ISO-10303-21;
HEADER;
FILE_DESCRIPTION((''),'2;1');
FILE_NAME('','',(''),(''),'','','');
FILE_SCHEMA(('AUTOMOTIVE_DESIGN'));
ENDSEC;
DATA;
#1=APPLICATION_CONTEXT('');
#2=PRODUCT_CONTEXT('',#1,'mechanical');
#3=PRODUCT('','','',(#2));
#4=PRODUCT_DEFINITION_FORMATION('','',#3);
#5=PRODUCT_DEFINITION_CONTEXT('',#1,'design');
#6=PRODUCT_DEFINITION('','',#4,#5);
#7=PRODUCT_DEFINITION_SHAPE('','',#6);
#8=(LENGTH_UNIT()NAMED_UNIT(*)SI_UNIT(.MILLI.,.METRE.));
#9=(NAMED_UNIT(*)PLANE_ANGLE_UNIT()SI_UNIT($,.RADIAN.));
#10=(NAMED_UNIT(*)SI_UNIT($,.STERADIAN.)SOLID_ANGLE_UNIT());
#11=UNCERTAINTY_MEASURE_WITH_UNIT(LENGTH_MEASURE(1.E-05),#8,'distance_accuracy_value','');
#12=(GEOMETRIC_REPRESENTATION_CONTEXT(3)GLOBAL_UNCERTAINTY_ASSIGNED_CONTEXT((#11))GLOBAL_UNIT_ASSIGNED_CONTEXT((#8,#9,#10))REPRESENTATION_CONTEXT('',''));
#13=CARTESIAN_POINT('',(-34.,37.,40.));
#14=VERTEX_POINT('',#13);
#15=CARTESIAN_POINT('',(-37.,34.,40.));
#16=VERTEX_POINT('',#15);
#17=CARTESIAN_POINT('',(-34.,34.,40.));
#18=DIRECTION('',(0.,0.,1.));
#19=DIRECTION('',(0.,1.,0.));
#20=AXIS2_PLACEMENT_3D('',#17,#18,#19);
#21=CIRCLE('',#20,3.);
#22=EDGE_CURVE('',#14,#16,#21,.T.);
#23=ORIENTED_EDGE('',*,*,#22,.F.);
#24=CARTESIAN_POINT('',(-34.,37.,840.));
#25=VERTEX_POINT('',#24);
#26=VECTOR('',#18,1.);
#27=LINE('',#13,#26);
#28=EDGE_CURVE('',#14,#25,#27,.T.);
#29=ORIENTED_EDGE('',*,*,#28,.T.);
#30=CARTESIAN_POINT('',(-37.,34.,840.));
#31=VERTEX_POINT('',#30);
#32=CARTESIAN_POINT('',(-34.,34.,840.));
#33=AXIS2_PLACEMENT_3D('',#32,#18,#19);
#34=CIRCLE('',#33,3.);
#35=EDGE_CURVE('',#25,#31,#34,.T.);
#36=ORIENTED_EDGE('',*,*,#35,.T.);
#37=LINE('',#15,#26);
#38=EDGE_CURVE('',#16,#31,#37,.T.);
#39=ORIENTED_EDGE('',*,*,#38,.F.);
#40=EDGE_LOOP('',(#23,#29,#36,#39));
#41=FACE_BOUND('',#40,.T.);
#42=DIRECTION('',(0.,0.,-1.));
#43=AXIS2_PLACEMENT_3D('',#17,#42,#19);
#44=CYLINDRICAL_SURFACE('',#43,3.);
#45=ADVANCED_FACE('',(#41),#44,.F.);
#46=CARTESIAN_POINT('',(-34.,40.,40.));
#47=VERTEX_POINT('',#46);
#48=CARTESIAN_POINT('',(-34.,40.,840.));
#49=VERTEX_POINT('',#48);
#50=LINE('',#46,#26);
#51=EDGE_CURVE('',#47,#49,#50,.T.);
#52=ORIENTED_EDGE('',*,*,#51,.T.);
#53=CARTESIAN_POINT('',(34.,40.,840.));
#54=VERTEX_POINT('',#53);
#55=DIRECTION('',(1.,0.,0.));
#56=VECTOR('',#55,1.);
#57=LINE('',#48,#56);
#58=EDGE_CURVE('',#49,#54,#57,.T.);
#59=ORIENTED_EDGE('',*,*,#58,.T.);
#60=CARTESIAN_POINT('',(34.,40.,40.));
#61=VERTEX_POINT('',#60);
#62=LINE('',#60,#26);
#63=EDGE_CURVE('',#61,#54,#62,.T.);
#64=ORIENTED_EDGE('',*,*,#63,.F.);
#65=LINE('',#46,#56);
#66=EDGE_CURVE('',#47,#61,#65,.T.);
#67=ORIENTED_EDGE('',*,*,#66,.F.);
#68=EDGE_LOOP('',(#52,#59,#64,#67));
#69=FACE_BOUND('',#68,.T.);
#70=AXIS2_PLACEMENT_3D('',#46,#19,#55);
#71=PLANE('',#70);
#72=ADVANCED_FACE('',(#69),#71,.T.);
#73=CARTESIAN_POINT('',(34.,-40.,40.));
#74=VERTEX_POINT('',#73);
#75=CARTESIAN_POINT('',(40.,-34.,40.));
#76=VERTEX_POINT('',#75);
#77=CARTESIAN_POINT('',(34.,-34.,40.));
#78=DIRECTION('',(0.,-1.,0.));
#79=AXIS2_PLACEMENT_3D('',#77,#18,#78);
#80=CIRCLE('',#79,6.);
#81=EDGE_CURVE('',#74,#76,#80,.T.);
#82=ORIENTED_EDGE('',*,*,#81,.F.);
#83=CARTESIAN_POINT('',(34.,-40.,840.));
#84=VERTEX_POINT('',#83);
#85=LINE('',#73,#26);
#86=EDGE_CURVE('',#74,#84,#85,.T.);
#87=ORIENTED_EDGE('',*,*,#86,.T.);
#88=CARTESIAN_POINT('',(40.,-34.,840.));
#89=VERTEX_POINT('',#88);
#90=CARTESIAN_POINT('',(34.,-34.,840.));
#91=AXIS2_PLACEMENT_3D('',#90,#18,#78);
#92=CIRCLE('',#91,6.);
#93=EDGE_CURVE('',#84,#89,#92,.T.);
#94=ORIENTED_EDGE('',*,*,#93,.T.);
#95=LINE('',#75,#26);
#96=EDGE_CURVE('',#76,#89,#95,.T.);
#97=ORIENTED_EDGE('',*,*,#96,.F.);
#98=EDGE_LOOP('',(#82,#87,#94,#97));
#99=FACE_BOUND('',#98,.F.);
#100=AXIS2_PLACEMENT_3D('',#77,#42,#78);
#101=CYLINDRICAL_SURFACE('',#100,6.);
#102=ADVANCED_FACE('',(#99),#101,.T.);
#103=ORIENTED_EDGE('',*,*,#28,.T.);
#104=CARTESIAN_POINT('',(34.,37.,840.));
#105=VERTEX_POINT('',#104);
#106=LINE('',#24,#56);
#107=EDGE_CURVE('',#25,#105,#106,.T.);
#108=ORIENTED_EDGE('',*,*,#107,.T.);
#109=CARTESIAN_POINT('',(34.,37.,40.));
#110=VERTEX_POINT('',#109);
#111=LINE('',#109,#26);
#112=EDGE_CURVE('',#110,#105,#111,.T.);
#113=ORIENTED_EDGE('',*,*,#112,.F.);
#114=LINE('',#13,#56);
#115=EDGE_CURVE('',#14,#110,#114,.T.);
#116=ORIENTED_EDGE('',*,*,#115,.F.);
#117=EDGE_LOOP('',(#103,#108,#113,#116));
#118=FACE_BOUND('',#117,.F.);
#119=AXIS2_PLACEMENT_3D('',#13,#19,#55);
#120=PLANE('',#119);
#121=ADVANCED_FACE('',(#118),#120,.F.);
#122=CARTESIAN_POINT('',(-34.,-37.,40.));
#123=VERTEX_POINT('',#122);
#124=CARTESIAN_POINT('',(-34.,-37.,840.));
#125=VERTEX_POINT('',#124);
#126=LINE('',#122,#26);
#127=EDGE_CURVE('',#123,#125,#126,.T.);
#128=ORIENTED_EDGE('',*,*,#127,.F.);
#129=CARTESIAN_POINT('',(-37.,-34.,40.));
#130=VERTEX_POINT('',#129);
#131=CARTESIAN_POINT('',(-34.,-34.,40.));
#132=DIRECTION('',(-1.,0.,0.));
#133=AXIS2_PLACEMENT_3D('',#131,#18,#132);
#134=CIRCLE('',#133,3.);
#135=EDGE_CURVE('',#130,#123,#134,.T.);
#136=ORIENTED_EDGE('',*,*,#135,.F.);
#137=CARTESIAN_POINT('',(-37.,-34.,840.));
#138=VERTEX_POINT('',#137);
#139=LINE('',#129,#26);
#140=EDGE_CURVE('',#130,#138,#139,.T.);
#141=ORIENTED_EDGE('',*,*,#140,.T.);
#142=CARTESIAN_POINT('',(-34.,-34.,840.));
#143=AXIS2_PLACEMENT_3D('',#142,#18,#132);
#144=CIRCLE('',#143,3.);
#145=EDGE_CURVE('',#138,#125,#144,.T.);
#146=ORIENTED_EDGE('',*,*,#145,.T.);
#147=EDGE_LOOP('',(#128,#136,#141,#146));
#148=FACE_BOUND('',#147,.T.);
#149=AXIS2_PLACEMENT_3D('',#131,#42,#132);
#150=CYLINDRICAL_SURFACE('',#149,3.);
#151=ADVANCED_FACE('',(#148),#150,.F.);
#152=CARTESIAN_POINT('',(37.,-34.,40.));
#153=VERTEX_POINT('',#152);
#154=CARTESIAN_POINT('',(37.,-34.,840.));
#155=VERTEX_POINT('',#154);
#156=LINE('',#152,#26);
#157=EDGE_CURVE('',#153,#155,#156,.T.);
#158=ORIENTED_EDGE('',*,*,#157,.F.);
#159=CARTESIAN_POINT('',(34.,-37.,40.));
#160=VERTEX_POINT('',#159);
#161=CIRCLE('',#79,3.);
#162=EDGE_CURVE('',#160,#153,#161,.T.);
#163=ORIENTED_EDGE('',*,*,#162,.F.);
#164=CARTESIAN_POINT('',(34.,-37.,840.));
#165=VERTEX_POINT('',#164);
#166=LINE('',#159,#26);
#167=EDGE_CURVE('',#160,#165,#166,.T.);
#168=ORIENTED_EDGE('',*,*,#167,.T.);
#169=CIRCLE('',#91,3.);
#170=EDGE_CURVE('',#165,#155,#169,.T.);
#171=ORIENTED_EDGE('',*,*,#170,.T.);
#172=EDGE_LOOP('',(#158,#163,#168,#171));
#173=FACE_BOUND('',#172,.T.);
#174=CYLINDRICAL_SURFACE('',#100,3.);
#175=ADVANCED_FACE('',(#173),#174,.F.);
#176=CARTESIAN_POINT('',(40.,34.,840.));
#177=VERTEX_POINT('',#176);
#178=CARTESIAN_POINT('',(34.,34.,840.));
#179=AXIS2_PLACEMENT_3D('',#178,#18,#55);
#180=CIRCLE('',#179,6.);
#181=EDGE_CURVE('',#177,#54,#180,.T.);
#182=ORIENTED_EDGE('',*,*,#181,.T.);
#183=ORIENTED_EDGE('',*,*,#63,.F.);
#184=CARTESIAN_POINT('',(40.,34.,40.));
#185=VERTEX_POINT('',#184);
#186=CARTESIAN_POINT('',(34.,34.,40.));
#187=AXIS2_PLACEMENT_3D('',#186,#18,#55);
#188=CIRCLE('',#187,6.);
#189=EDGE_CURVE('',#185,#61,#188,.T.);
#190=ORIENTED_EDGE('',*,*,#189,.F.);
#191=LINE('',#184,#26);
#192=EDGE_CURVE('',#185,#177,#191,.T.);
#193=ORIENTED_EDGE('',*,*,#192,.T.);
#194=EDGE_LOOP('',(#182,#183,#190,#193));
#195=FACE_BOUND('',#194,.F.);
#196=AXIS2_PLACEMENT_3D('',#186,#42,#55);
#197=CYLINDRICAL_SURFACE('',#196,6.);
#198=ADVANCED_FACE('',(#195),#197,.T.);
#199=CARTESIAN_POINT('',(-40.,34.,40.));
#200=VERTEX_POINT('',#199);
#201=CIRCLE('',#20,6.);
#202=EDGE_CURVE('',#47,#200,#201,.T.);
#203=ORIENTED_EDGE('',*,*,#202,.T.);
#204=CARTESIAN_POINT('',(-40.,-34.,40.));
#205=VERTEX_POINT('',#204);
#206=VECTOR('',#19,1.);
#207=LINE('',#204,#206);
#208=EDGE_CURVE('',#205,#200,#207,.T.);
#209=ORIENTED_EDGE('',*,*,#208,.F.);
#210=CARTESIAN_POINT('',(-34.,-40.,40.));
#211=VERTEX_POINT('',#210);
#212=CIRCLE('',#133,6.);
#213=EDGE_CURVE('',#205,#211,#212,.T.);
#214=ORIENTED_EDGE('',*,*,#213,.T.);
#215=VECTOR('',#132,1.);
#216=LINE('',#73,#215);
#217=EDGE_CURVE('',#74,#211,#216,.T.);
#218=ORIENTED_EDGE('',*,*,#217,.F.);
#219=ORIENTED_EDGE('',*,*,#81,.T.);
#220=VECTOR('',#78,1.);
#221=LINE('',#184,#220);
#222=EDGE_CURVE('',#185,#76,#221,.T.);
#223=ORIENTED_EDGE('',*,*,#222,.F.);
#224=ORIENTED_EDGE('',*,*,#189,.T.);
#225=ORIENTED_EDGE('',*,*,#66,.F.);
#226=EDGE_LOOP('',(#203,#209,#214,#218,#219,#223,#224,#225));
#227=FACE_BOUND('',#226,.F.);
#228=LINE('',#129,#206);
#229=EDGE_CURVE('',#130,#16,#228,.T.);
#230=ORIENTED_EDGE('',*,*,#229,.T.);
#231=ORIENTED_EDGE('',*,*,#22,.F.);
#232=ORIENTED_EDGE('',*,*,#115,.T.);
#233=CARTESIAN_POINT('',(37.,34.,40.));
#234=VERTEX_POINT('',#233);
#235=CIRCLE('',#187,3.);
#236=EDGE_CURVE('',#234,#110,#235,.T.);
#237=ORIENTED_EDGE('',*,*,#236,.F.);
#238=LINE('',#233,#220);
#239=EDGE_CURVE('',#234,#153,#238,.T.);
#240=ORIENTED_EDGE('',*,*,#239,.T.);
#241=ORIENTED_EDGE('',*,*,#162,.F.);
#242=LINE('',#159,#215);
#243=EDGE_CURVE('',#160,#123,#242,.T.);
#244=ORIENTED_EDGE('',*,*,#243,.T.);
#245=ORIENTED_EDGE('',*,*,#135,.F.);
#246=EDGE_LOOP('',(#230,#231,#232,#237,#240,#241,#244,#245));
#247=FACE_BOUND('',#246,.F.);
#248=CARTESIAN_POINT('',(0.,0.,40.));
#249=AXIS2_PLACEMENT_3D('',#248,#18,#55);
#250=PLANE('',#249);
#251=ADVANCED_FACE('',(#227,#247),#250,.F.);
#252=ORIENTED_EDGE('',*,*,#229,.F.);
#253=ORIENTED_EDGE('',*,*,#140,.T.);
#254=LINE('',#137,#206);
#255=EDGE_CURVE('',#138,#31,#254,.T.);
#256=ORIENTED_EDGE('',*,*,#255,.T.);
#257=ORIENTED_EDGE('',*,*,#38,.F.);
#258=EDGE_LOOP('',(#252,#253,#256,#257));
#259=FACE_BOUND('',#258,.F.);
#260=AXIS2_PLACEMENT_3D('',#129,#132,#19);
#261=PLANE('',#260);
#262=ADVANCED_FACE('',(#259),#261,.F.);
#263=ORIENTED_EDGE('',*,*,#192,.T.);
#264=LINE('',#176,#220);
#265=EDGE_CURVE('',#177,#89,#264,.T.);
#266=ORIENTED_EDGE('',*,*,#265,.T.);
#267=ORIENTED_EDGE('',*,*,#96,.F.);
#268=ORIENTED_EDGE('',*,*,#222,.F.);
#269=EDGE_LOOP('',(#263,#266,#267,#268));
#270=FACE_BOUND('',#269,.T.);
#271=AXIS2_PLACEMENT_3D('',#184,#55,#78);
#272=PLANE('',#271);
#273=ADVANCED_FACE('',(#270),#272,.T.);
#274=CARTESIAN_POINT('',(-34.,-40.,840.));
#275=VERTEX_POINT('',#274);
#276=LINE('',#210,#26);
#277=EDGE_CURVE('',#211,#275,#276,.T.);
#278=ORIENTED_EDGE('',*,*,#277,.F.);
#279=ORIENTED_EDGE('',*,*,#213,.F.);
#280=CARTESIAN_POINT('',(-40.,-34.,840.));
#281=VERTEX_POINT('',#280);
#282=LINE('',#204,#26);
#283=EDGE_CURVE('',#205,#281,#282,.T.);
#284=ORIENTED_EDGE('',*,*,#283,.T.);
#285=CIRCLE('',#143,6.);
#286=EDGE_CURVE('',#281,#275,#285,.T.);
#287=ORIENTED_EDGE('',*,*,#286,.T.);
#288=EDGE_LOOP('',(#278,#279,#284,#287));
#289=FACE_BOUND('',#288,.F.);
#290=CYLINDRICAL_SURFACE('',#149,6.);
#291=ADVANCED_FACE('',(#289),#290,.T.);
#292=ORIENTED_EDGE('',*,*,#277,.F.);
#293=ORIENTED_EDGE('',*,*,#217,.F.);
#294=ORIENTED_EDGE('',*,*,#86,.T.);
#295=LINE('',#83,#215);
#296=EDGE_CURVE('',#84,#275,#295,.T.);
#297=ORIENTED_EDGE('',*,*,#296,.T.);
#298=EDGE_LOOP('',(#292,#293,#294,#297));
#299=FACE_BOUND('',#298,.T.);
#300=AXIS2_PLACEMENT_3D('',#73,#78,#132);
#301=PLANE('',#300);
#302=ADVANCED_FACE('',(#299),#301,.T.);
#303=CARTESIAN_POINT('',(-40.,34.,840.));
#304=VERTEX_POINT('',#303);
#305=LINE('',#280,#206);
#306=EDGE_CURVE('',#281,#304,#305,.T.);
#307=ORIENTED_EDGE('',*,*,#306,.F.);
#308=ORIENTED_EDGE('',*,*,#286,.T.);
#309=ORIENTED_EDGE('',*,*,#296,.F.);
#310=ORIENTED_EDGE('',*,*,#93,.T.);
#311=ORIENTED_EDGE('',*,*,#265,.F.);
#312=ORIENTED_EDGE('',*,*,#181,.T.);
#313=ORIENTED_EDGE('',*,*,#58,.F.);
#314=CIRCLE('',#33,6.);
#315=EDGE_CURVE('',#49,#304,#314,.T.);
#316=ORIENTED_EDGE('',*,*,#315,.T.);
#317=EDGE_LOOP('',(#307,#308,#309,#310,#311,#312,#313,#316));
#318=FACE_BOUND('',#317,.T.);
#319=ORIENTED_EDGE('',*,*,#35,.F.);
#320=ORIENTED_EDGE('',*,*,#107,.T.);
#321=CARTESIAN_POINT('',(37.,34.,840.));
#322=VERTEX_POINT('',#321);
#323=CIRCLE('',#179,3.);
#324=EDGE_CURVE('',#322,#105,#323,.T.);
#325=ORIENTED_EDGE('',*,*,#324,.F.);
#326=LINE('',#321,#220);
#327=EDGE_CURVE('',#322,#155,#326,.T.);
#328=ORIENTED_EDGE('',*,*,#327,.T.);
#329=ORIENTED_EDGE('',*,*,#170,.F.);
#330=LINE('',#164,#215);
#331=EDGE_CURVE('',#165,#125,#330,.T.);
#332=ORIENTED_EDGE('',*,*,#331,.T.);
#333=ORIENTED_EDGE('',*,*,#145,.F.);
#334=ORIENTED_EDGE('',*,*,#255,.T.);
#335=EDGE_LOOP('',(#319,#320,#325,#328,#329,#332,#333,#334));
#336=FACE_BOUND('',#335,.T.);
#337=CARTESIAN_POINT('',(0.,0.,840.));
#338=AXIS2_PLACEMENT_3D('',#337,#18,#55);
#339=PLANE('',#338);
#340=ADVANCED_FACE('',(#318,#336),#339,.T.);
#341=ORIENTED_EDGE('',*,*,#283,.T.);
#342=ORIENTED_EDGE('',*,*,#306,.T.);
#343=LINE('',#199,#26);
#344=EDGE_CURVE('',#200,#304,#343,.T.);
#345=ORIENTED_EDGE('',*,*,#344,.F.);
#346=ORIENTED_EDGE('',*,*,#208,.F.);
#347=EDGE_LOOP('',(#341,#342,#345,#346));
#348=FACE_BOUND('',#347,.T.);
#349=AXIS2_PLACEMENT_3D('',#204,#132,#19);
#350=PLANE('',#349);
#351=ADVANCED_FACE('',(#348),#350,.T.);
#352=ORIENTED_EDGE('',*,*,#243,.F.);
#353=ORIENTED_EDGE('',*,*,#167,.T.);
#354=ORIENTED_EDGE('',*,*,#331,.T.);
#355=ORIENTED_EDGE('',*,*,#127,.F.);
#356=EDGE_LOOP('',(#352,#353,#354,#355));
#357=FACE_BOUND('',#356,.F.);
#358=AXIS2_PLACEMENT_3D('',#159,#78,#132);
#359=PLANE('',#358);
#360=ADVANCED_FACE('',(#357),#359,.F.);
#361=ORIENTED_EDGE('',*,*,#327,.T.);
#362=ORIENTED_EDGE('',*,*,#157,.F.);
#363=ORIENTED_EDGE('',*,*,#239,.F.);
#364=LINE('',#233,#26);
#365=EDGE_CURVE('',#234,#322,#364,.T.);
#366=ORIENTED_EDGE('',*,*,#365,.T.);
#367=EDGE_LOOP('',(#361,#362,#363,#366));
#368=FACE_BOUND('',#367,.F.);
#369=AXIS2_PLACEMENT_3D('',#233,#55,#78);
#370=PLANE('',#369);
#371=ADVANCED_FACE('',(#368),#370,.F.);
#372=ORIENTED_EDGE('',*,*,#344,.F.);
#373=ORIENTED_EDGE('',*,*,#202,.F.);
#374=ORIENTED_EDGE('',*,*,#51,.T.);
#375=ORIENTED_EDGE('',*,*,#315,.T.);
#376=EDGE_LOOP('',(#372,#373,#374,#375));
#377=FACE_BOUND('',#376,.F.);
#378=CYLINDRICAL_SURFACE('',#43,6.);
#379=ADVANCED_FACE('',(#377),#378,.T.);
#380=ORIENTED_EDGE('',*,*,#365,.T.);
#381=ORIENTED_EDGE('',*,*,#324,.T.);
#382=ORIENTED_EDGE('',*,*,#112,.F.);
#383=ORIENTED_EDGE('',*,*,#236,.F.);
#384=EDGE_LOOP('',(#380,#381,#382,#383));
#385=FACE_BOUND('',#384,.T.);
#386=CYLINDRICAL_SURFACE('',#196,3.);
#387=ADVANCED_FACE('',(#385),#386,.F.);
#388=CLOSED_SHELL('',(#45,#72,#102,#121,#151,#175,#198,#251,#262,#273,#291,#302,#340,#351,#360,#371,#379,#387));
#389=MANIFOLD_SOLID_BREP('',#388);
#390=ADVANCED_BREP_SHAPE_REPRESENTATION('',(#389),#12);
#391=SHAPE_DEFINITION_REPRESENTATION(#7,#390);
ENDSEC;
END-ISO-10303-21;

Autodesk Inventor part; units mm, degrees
ref_plane "YZ Plane" through (0, 0, 0) normal (1, 0, 0) x (0, 1, 0)
ref_plane "Start Plane" through (0, 0, 40) normal (0, 0, 1) x (1, 0, 0)
ref_plane "End Plane" through (0, 0, 840) normal (0, 0, 1) x (1, 0, 0)
sketch "Sketch" plane through (0, 0, 0) normal (0, 0, 1) x (1, 0, 0)
  line L0 (-40, -34) -> (-40, 34)
  line L1 (-34, 40) -> (34, 40)
  line L2 (40, 34) -> (40, -34)
  line L3 (34, -40) -> (-34, -40)
  arc A0 (-40, -34) -> (-34, -40) centre (-34, -34) ccw
  arc A1 (40, 34) -> (34, 40) centre (34, 34) ccw
  arc A2 (-34, 40) -> (-40, 34) centre (-34, 34) ccw
  arc A3 (34, -40) -> (40, -34) centre (34, -34) ccw
  arc A4 (-34, 37) -> (-37, 34) centre (-34, 34) ccw
  line L4 (-34, 37) -> (34, 37)
  arc A5 (37, 34) -> (34, 37) centre (34, 34) ccw
  line L5 (37, 34) -> (37, -34)
  arc A6 (34, -37) -> (37, -34) centre (34, -34) ccw
  line L6 (34, -37) -> (-34, -37)
  arc A7 (-37, -34) -> (-34, -37) centre (-34, -34) ccw
  line L7 (-37, -34) -> (-37, 34)
  line L8 (0, 57.7397) -> (0, -57.7397) construction
  line L9 (-57.7397, 0) -> (57.7397, 0) construction
  dimension "d7" = 6
  dimension "d9" = 80
  dimension "d11" = 80
  dimension "d12" = 3
  dimension "d15" = 40
  dimension "d16" = 40
extrude "Body" add sketch "Sketch" along normal up to surface (800 mm away) from surface at 40
sketch "Sketch3" plane through (0, 0, 0) normal (0, 0, 1) x (1, 0, 0)
  line L0 (0, 0) -> (10, 0)
ref_plane "Work Plane3" through (0, 0, 0) normal (0, -1, 0) x (1, 0, 0)
sketch "Sketch4" plane through (0, 0, 0) normal (0, -1, 0) x (1, 0, 0)
  line L0 (-2, 40) -> (12, 40) projected
  line L1 (-2, 840) -> (12, 840) projected
  dimension "d18" = 800
equation "\"d7\" = G_IR"
equation "\"d9\" = G_W"
equation "\"d11\" = G_H"
equation "\"d12\" = G_T"
equation "\"d15\" = 0.5 * d9"
equation "\"d16\" = 0.5 * d11"
equation "\"d3\" = G_L"
equation "\"G_W\" = 80"
equation "\"G_H\" = 80"
equation "\"G_T\" = 3"
equation "\"G_IR\" = 6"
equation "\"G_L\" = d18"
properties part number "ISO 4019 - 80x80x3 - 800" material "Steel, Mild"
